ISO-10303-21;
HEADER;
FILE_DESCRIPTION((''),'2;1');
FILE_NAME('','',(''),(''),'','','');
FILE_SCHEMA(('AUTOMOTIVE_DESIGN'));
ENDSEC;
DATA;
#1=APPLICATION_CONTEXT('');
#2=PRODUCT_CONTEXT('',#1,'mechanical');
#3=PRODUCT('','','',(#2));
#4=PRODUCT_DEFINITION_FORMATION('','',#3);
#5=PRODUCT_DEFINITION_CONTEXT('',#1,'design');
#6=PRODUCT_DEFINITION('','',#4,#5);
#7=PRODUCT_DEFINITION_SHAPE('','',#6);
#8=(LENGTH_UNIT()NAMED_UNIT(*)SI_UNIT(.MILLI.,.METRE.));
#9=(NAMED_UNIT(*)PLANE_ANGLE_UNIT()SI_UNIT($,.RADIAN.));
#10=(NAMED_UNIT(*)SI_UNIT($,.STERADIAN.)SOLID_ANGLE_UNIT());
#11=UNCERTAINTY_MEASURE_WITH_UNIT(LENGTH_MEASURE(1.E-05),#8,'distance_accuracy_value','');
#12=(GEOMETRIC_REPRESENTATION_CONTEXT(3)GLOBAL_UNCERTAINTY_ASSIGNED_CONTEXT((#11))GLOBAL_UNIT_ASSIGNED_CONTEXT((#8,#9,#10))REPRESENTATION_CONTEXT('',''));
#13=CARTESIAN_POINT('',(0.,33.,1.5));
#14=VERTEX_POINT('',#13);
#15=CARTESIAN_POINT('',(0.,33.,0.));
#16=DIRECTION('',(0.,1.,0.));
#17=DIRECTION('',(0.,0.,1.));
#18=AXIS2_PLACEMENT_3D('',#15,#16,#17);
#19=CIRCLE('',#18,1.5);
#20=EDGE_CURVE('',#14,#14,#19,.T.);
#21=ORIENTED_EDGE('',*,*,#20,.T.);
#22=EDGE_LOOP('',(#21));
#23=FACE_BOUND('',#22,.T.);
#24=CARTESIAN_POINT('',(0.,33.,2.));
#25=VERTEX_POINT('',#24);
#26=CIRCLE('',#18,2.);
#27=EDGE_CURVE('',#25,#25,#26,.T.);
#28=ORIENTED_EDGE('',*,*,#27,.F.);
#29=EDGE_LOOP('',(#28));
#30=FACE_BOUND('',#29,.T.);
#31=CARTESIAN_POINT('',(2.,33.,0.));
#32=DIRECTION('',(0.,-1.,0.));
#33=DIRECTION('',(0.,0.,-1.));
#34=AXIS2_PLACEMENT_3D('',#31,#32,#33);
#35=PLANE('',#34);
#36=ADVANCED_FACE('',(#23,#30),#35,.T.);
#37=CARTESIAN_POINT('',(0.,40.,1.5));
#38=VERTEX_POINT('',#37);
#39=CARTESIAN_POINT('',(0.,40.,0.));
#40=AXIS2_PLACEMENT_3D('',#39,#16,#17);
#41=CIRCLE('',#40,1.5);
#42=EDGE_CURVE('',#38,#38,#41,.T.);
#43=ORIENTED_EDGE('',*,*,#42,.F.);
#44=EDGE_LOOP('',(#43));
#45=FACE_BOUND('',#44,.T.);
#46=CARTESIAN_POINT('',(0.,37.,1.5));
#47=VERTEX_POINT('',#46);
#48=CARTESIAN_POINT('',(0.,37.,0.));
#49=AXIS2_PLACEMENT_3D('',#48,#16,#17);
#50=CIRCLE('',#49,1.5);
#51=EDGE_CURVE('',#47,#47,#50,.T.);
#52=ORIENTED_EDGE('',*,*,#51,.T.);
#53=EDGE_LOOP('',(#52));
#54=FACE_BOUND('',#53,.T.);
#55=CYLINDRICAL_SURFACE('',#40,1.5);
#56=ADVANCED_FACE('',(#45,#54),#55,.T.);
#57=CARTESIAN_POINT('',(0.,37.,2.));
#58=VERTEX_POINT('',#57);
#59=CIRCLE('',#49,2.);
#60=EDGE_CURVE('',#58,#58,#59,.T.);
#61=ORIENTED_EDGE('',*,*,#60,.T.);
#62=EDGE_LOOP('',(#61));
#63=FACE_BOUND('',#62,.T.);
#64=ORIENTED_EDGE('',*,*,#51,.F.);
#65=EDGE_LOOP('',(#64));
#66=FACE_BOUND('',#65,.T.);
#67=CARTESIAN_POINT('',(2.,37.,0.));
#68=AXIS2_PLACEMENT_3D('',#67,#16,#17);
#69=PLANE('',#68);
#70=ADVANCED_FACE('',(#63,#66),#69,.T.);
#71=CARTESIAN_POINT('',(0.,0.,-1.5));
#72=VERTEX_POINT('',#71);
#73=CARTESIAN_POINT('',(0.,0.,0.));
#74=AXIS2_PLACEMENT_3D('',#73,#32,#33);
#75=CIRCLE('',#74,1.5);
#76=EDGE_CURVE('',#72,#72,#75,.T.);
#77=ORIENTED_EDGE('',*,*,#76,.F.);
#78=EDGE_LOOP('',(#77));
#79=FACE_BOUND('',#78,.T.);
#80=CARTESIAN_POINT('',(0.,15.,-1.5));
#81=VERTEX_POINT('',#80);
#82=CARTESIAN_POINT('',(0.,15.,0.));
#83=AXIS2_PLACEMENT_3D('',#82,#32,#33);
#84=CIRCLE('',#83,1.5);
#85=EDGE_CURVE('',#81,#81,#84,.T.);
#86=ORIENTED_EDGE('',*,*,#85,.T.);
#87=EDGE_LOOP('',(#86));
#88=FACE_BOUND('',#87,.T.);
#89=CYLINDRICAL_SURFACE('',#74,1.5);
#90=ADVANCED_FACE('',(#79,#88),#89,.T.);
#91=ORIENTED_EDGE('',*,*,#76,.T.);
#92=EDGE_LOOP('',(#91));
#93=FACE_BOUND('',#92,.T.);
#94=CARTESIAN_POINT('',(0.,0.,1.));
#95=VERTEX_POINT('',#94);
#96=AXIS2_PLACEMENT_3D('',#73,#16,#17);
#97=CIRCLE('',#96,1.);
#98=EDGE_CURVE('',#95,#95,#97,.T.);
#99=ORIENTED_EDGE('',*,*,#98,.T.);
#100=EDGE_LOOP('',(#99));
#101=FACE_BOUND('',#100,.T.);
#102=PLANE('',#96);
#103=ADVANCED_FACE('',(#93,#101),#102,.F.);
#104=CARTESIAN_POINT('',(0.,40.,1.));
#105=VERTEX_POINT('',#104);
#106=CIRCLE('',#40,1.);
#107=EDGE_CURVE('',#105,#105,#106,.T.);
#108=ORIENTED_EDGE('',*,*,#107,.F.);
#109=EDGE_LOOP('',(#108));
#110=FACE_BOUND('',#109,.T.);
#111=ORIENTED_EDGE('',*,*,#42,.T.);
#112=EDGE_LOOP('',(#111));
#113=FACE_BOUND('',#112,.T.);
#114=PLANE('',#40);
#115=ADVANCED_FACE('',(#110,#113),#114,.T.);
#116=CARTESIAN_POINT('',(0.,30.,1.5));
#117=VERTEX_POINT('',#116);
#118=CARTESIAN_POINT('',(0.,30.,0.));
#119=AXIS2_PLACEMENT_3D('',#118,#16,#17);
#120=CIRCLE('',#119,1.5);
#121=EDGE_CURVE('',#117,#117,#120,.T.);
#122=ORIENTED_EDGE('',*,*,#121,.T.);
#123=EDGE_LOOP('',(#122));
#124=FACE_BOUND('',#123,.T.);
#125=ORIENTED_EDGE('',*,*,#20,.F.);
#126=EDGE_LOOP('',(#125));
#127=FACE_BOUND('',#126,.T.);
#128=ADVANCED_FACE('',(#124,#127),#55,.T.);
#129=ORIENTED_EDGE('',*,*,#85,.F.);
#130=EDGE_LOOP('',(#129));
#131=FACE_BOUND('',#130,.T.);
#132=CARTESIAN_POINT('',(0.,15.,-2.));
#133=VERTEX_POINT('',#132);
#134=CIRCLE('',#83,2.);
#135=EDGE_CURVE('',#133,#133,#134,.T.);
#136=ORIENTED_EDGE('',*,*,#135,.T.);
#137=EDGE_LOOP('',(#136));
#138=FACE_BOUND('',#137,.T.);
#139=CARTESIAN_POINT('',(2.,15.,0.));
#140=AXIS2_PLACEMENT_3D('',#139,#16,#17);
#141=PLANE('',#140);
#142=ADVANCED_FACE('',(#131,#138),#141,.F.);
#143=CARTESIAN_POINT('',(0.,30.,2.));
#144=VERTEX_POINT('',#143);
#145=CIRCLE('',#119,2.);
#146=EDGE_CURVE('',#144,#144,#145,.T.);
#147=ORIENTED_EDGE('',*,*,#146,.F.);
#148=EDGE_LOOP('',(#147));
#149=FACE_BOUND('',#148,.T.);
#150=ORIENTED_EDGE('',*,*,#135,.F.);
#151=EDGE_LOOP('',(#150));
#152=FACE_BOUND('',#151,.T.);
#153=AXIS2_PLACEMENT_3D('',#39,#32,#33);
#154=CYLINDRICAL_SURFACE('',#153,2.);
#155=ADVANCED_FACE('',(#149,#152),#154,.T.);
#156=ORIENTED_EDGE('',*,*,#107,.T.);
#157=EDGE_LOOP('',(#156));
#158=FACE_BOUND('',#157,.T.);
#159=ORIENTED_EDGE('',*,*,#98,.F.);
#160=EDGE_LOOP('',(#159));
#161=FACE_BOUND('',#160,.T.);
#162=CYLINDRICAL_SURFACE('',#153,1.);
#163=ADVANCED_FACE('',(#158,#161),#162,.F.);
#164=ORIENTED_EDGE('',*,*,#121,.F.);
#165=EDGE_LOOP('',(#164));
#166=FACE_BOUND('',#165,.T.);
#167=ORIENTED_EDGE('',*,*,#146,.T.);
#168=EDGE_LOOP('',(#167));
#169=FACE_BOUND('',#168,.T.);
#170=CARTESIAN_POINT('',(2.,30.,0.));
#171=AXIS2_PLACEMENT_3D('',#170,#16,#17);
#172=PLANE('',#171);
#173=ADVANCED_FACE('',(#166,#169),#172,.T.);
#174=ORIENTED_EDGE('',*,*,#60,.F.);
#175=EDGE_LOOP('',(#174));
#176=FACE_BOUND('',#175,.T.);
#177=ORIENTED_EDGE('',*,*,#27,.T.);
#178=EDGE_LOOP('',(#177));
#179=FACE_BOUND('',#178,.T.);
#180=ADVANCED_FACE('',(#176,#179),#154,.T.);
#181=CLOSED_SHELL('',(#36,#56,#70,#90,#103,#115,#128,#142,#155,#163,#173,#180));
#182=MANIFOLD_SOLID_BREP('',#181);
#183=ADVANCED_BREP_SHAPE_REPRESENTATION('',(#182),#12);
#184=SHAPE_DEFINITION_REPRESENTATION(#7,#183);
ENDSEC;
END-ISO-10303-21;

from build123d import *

# Parameters (mm, degrees)
SKETCH_1_R      = 2
SKETCH_1_R_2    = 1
EXTRUDE_1_DEPTH = 40
SKETCH_2_W      = 0.5
SKETCH_2_H      = 3
SKETCH_3_W      = 0.5
SKETCH_3_H      = 15


with BuildPart() as part:
    # Эскиз1 → Бобышка-Вытянуть1 (new body)
    with BuildSketch(Plane(origin=(0, 0, 0), x_dir=(1, 0, 0), z_dir=(0, 1, 0))):
        Circle(SKETCH_1_R)
        Circle(SKETCH_1_R_2, mode=Mode.SUBTRACT)
    extrude(amount=EXTRUDE_1_DEPTH)

    # Эскиз2 → Вырез-Повернуть1 (revolve, cut)
    with BuildSketch(Plane.XY):
        with Locations((1.75, 38.5)):
            Rectangle(SKETCH_2_W, SKETCH_2_H)
        with Locations((1.75, 31.5)):
            Rectangle(SKETCH_2_W, SKETCH_2_H)
    revolve(axis=Axis((0, 40, 0), (0, -1, 0)), mode=Mode.SUBTRACT)

    # Эскиз3 → Вырез-Повернуть2 (revolve, cut)
    with BuildSketch(Plane.XY):
        with Locations((1.75, 7.5)):
            Rectangle(SKETCH_3_W, SKETCH_3_H)
    revolve(axis=Axis((0, 0, 0), (0, 1, 0)), mode=Mode.SUBTRACT)


solid = part.part
